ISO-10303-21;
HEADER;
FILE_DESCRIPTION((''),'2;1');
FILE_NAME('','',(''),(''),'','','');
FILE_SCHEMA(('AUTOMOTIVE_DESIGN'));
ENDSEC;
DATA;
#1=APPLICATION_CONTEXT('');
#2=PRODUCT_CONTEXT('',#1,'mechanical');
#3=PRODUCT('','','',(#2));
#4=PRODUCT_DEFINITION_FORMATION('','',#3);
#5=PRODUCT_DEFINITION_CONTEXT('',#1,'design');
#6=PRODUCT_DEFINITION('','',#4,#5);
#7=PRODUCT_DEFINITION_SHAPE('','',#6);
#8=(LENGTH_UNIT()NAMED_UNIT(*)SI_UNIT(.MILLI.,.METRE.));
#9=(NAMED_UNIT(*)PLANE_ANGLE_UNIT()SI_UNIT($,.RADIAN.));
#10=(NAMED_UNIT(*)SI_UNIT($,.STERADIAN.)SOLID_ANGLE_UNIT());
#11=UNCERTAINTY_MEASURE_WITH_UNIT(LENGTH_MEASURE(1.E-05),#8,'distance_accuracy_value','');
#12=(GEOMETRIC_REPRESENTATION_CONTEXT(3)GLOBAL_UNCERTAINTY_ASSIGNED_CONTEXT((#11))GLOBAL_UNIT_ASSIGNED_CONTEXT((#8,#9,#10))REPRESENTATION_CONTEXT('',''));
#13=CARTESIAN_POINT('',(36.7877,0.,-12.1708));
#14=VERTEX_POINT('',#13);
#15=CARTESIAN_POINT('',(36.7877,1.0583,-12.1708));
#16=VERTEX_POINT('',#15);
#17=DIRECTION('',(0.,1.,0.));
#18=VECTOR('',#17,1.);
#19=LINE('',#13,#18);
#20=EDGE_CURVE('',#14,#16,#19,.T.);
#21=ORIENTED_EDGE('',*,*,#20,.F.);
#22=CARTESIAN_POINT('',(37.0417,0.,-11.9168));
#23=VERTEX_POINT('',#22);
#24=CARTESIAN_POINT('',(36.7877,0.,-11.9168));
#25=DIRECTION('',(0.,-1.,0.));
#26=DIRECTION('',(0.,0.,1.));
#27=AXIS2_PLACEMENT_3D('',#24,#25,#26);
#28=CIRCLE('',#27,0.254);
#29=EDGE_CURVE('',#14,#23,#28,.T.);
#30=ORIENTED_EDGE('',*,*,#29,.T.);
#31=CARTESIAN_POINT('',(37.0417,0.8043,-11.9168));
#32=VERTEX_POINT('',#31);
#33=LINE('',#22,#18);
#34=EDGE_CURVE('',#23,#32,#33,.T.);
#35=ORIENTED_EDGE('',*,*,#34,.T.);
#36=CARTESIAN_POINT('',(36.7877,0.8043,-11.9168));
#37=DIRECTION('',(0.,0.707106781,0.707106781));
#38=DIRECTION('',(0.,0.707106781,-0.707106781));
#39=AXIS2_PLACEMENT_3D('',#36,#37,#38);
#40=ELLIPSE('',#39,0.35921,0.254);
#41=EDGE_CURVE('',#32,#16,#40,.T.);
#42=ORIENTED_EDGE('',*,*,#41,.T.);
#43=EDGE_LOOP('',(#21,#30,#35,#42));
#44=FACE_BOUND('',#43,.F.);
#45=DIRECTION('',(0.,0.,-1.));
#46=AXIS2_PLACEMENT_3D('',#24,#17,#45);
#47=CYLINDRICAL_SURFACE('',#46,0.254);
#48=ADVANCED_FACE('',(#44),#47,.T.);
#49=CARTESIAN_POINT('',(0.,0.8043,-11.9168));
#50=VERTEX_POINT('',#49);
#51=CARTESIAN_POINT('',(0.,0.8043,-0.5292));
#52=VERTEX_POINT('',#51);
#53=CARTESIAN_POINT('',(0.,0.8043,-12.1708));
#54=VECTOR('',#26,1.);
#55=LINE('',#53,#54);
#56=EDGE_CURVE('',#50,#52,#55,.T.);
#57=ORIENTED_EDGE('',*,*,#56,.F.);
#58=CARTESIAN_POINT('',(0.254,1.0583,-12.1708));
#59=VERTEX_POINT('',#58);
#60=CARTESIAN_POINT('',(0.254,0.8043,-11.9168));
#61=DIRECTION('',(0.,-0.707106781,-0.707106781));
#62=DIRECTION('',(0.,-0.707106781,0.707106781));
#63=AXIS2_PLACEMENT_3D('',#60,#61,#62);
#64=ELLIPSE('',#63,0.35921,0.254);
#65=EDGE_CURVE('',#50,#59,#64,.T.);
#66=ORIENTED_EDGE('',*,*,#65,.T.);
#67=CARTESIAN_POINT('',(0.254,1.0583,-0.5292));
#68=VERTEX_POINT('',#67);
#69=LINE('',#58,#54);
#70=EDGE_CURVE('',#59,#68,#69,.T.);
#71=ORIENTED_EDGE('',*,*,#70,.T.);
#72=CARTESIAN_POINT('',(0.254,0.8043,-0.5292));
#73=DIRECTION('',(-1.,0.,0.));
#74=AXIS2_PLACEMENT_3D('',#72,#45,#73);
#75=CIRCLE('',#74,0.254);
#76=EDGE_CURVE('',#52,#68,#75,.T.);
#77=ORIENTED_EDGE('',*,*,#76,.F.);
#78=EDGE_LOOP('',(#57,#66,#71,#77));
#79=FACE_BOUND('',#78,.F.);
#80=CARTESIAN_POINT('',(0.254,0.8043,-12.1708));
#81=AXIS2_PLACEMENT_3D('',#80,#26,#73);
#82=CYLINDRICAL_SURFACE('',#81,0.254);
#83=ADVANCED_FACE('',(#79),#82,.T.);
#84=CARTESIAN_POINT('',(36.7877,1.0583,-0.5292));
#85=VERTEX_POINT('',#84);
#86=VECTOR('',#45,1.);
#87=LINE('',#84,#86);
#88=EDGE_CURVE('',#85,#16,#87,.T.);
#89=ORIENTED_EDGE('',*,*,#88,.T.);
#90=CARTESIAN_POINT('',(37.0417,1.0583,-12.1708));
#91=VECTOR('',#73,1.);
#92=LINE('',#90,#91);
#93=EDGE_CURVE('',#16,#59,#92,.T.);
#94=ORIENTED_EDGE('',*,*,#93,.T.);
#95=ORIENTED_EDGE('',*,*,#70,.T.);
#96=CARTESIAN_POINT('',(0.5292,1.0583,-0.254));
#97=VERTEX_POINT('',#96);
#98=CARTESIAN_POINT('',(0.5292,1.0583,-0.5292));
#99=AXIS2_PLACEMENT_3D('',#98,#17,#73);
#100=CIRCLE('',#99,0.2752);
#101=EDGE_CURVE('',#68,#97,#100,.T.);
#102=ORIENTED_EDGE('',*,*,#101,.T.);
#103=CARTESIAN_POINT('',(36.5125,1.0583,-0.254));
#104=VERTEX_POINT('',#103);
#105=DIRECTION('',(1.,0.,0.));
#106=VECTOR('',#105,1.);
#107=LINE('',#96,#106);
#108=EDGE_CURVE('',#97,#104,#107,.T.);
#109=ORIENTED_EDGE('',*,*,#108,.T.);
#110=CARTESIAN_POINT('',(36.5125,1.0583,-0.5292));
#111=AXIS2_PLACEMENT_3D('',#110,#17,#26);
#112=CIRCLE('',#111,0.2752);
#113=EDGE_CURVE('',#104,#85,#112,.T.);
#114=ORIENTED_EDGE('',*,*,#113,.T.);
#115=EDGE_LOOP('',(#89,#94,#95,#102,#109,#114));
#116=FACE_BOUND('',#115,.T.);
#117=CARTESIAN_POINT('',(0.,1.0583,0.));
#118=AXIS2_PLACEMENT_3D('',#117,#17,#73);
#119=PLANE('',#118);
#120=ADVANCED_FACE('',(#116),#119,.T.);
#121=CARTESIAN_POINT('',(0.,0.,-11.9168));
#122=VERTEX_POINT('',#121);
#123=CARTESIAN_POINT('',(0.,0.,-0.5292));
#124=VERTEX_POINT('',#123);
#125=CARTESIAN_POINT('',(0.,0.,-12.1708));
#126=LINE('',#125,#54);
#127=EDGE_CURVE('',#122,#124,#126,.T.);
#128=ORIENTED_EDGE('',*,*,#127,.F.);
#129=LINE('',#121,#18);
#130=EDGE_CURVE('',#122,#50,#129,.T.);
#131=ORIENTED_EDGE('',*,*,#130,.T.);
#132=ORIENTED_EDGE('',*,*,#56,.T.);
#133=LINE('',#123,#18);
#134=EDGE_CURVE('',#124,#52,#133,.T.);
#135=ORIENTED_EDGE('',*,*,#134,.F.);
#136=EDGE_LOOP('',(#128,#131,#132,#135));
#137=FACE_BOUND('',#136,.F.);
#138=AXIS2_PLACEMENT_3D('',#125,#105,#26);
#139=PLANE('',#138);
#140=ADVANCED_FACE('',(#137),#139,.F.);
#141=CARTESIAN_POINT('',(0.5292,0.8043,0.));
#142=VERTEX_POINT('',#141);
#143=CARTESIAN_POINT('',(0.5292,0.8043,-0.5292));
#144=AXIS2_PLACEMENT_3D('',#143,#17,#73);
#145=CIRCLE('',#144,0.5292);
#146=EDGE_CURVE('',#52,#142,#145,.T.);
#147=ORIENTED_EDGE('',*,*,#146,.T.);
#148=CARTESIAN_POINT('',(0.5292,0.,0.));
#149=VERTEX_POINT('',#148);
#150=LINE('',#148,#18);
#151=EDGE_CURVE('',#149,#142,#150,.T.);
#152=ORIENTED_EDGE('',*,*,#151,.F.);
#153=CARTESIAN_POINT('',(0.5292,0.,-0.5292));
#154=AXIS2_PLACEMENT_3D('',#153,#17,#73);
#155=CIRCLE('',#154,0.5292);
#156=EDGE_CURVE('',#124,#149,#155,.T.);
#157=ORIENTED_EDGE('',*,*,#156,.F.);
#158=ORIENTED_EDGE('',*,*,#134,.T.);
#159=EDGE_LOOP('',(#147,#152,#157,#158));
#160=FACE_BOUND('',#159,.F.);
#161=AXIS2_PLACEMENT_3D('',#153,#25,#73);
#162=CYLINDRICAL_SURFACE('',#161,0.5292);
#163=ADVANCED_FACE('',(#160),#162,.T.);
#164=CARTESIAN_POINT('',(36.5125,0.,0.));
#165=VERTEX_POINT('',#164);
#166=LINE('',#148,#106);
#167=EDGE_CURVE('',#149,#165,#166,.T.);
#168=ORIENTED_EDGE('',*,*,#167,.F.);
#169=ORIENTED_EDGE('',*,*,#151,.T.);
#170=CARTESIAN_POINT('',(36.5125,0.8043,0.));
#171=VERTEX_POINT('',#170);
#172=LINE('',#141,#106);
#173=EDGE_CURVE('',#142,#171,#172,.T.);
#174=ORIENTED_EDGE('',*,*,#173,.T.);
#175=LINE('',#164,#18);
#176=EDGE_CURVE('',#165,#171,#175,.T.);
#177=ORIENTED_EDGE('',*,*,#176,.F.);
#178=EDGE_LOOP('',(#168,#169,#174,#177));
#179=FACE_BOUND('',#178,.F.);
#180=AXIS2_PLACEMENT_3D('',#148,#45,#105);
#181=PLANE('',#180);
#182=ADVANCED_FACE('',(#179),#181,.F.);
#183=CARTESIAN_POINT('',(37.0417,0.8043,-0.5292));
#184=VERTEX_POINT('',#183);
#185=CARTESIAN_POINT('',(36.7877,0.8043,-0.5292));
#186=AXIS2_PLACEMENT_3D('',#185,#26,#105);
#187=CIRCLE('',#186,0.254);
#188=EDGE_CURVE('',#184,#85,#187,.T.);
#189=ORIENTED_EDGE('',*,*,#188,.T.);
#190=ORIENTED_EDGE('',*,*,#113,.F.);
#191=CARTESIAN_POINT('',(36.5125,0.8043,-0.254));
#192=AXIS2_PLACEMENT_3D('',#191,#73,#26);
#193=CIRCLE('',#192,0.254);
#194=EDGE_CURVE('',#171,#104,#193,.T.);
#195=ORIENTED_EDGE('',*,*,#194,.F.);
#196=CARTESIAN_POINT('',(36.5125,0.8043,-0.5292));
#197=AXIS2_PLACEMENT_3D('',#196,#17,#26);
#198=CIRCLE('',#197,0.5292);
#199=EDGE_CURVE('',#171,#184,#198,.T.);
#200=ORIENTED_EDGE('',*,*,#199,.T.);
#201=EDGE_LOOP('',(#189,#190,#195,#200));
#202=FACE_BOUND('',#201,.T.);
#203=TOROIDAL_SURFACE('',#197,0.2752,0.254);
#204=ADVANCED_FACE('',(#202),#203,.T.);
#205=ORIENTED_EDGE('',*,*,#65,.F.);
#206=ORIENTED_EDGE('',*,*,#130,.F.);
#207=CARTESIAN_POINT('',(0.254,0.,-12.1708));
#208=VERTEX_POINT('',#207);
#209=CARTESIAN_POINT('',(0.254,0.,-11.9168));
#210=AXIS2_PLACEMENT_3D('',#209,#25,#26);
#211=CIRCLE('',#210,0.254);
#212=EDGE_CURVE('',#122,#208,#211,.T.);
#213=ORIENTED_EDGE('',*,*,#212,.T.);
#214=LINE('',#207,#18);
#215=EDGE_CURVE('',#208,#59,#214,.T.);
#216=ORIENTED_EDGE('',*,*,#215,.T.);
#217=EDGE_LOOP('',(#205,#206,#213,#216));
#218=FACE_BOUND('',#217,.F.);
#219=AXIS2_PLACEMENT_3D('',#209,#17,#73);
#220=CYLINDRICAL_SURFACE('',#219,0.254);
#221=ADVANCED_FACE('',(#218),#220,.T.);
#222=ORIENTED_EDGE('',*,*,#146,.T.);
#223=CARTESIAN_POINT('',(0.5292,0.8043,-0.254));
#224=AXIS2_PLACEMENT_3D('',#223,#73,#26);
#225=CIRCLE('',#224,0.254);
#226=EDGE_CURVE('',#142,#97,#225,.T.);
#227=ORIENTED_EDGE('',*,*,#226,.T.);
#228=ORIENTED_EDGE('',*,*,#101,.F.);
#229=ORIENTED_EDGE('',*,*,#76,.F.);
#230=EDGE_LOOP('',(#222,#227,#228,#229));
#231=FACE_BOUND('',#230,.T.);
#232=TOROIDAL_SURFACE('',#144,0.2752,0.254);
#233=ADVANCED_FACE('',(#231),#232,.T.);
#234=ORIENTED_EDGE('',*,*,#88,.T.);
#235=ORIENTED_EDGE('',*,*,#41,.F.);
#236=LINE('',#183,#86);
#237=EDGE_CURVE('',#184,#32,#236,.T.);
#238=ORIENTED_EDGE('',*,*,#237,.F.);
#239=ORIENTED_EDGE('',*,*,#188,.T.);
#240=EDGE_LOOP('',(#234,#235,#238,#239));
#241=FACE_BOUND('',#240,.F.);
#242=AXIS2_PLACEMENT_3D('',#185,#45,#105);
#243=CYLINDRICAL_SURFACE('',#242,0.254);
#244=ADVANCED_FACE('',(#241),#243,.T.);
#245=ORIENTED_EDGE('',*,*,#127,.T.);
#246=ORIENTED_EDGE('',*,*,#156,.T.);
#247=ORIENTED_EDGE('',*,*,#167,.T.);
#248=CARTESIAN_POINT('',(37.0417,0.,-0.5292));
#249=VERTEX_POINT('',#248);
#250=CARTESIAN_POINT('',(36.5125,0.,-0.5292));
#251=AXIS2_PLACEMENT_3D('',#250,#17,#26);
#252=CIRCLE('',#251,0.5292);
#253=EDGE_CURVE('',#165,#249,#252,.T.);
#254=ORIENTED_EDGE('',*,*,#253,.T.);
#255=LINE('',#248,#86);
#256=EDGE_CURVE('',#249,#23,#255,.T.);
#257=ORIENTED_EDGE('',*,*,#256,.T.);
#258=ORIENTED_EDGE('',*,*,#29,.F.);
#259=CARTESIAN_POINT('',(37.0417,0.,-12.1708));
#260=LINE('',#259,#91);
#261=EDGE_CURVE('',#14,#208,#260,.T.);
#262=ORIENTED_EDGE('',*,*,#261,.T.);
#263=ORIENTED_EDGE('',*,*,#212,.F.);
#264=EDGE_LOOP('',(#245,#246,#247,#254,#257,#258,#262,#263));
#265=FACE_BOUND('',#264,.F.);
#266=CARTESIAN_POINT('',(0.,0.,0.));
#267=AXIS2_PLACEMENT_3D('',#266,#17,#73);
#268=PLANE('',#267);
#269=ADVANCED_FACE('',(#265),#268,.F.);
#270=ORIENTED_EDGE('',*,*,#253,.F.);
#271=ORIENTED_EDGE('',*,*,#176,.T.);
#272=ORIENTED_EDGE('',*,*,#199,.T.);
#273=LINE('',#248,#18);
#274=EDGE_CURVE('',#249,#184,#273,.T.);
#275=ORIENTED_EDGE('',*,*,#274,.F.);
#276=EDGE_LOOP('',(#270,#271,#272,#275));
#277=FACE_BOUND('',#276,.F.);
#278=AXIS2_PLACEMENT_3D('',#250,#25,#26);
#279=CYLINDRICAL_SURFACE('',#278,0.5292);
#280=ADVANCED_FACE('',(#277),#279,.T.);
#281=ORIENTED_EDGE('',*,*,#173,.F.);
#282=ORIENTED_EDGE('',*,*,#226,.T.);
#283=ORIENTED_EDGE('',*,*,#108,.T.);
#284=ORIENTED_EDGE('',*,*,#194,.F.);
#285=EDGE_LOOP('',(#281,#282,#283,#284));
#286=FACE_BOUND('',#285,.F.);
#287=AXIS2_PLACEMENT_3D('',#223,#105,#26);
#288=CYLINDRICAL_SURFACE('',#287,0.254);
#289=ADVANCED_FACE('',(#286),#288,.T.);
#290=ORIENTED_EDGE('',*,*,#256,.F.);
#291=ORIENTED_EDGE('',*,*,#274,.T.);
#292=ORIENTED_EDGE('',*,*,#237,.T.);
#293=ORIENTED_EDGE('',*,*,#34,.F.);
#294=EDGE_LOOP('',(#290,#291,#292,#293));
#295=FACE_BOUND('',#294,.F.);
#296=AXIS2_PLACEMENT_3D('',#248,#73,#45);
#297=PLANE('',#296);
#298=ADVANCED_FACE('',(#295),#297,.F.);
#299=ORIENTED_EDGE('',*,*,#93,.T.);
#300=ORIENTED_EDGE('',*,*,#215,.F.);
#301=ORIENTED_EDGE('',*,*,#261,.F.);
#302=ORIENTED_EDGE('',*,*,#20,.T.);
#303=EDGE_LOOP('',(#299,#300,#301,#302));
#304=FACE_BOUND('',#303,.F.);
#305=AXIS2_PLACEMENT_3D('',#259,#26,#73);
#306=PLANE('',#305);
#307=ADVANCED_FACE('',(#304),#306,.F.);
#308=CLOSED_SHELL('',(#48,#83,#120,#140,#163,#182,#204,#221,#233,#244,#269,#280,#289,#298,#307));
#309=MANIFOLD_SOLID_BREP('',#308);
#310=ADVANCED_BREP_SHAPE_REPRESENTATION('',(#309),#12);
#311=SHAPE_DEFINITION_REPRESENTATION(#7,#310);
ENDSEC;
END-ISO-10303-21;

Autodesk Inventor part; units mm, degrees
ref_plane "YZ Plane" through (0, 0, 0) normal (1, 0, 0) x (0, 1, 0)
ref_plane "XZ Plane" through (0, 0, 0) normal (0, 1, 0) x (-1, 0, 0)
ref_plane "XY Plane" through (0, 0, 0) normal (0, 0, 1) x (1, 0, 0)
sketch "Sketch1" plane through (0, 0, 0) normal (0, 1, 0) x (-1, 0, 0)
  line L0 (-0.5292, 0) -> (-36.5125, 0)
  line L1 (-37.0417, -0.5292) -> (-37.0417, -12.1708)
  line L2 (-37.0417, -12.1708) -> (0, -12.1708)
  line L3 (0, -12.1708) -> (0, -0.5292)
  arc A0 (0, -0.5292) -> (-0.5292, 0) centre (-0.5292, -0.5292) ccw
  line L4 (-18.5208, -12.969) -> (-18.5208, 2.8326) construction
  arc A1 (-36.5125, 0) -> (-37.0417, -0.5292) centre (-36.5125, -0.5292) ccw
  point P0 (0, 0)
  dimension "d4" = 1.0583
  dimension "d5" = 12.1708
  dimension "d6" = 37.0417
extrude "main key board" add sketch "Sketch1" along normal blind 1.0583
fillet "curved edges" radius 0.254 7 edges at (36.8867, 1.0583, -0.155) (18.5208, 1.0583, 0) (0.155, 1.0583, -0.155) (0, 1.0583, -6.35) (37.0417, 1.0583, -6.35) (37.0417, 0.5292, -12.1708) (0, 0.5292, -12.1708)
properties part number "key board 1"
